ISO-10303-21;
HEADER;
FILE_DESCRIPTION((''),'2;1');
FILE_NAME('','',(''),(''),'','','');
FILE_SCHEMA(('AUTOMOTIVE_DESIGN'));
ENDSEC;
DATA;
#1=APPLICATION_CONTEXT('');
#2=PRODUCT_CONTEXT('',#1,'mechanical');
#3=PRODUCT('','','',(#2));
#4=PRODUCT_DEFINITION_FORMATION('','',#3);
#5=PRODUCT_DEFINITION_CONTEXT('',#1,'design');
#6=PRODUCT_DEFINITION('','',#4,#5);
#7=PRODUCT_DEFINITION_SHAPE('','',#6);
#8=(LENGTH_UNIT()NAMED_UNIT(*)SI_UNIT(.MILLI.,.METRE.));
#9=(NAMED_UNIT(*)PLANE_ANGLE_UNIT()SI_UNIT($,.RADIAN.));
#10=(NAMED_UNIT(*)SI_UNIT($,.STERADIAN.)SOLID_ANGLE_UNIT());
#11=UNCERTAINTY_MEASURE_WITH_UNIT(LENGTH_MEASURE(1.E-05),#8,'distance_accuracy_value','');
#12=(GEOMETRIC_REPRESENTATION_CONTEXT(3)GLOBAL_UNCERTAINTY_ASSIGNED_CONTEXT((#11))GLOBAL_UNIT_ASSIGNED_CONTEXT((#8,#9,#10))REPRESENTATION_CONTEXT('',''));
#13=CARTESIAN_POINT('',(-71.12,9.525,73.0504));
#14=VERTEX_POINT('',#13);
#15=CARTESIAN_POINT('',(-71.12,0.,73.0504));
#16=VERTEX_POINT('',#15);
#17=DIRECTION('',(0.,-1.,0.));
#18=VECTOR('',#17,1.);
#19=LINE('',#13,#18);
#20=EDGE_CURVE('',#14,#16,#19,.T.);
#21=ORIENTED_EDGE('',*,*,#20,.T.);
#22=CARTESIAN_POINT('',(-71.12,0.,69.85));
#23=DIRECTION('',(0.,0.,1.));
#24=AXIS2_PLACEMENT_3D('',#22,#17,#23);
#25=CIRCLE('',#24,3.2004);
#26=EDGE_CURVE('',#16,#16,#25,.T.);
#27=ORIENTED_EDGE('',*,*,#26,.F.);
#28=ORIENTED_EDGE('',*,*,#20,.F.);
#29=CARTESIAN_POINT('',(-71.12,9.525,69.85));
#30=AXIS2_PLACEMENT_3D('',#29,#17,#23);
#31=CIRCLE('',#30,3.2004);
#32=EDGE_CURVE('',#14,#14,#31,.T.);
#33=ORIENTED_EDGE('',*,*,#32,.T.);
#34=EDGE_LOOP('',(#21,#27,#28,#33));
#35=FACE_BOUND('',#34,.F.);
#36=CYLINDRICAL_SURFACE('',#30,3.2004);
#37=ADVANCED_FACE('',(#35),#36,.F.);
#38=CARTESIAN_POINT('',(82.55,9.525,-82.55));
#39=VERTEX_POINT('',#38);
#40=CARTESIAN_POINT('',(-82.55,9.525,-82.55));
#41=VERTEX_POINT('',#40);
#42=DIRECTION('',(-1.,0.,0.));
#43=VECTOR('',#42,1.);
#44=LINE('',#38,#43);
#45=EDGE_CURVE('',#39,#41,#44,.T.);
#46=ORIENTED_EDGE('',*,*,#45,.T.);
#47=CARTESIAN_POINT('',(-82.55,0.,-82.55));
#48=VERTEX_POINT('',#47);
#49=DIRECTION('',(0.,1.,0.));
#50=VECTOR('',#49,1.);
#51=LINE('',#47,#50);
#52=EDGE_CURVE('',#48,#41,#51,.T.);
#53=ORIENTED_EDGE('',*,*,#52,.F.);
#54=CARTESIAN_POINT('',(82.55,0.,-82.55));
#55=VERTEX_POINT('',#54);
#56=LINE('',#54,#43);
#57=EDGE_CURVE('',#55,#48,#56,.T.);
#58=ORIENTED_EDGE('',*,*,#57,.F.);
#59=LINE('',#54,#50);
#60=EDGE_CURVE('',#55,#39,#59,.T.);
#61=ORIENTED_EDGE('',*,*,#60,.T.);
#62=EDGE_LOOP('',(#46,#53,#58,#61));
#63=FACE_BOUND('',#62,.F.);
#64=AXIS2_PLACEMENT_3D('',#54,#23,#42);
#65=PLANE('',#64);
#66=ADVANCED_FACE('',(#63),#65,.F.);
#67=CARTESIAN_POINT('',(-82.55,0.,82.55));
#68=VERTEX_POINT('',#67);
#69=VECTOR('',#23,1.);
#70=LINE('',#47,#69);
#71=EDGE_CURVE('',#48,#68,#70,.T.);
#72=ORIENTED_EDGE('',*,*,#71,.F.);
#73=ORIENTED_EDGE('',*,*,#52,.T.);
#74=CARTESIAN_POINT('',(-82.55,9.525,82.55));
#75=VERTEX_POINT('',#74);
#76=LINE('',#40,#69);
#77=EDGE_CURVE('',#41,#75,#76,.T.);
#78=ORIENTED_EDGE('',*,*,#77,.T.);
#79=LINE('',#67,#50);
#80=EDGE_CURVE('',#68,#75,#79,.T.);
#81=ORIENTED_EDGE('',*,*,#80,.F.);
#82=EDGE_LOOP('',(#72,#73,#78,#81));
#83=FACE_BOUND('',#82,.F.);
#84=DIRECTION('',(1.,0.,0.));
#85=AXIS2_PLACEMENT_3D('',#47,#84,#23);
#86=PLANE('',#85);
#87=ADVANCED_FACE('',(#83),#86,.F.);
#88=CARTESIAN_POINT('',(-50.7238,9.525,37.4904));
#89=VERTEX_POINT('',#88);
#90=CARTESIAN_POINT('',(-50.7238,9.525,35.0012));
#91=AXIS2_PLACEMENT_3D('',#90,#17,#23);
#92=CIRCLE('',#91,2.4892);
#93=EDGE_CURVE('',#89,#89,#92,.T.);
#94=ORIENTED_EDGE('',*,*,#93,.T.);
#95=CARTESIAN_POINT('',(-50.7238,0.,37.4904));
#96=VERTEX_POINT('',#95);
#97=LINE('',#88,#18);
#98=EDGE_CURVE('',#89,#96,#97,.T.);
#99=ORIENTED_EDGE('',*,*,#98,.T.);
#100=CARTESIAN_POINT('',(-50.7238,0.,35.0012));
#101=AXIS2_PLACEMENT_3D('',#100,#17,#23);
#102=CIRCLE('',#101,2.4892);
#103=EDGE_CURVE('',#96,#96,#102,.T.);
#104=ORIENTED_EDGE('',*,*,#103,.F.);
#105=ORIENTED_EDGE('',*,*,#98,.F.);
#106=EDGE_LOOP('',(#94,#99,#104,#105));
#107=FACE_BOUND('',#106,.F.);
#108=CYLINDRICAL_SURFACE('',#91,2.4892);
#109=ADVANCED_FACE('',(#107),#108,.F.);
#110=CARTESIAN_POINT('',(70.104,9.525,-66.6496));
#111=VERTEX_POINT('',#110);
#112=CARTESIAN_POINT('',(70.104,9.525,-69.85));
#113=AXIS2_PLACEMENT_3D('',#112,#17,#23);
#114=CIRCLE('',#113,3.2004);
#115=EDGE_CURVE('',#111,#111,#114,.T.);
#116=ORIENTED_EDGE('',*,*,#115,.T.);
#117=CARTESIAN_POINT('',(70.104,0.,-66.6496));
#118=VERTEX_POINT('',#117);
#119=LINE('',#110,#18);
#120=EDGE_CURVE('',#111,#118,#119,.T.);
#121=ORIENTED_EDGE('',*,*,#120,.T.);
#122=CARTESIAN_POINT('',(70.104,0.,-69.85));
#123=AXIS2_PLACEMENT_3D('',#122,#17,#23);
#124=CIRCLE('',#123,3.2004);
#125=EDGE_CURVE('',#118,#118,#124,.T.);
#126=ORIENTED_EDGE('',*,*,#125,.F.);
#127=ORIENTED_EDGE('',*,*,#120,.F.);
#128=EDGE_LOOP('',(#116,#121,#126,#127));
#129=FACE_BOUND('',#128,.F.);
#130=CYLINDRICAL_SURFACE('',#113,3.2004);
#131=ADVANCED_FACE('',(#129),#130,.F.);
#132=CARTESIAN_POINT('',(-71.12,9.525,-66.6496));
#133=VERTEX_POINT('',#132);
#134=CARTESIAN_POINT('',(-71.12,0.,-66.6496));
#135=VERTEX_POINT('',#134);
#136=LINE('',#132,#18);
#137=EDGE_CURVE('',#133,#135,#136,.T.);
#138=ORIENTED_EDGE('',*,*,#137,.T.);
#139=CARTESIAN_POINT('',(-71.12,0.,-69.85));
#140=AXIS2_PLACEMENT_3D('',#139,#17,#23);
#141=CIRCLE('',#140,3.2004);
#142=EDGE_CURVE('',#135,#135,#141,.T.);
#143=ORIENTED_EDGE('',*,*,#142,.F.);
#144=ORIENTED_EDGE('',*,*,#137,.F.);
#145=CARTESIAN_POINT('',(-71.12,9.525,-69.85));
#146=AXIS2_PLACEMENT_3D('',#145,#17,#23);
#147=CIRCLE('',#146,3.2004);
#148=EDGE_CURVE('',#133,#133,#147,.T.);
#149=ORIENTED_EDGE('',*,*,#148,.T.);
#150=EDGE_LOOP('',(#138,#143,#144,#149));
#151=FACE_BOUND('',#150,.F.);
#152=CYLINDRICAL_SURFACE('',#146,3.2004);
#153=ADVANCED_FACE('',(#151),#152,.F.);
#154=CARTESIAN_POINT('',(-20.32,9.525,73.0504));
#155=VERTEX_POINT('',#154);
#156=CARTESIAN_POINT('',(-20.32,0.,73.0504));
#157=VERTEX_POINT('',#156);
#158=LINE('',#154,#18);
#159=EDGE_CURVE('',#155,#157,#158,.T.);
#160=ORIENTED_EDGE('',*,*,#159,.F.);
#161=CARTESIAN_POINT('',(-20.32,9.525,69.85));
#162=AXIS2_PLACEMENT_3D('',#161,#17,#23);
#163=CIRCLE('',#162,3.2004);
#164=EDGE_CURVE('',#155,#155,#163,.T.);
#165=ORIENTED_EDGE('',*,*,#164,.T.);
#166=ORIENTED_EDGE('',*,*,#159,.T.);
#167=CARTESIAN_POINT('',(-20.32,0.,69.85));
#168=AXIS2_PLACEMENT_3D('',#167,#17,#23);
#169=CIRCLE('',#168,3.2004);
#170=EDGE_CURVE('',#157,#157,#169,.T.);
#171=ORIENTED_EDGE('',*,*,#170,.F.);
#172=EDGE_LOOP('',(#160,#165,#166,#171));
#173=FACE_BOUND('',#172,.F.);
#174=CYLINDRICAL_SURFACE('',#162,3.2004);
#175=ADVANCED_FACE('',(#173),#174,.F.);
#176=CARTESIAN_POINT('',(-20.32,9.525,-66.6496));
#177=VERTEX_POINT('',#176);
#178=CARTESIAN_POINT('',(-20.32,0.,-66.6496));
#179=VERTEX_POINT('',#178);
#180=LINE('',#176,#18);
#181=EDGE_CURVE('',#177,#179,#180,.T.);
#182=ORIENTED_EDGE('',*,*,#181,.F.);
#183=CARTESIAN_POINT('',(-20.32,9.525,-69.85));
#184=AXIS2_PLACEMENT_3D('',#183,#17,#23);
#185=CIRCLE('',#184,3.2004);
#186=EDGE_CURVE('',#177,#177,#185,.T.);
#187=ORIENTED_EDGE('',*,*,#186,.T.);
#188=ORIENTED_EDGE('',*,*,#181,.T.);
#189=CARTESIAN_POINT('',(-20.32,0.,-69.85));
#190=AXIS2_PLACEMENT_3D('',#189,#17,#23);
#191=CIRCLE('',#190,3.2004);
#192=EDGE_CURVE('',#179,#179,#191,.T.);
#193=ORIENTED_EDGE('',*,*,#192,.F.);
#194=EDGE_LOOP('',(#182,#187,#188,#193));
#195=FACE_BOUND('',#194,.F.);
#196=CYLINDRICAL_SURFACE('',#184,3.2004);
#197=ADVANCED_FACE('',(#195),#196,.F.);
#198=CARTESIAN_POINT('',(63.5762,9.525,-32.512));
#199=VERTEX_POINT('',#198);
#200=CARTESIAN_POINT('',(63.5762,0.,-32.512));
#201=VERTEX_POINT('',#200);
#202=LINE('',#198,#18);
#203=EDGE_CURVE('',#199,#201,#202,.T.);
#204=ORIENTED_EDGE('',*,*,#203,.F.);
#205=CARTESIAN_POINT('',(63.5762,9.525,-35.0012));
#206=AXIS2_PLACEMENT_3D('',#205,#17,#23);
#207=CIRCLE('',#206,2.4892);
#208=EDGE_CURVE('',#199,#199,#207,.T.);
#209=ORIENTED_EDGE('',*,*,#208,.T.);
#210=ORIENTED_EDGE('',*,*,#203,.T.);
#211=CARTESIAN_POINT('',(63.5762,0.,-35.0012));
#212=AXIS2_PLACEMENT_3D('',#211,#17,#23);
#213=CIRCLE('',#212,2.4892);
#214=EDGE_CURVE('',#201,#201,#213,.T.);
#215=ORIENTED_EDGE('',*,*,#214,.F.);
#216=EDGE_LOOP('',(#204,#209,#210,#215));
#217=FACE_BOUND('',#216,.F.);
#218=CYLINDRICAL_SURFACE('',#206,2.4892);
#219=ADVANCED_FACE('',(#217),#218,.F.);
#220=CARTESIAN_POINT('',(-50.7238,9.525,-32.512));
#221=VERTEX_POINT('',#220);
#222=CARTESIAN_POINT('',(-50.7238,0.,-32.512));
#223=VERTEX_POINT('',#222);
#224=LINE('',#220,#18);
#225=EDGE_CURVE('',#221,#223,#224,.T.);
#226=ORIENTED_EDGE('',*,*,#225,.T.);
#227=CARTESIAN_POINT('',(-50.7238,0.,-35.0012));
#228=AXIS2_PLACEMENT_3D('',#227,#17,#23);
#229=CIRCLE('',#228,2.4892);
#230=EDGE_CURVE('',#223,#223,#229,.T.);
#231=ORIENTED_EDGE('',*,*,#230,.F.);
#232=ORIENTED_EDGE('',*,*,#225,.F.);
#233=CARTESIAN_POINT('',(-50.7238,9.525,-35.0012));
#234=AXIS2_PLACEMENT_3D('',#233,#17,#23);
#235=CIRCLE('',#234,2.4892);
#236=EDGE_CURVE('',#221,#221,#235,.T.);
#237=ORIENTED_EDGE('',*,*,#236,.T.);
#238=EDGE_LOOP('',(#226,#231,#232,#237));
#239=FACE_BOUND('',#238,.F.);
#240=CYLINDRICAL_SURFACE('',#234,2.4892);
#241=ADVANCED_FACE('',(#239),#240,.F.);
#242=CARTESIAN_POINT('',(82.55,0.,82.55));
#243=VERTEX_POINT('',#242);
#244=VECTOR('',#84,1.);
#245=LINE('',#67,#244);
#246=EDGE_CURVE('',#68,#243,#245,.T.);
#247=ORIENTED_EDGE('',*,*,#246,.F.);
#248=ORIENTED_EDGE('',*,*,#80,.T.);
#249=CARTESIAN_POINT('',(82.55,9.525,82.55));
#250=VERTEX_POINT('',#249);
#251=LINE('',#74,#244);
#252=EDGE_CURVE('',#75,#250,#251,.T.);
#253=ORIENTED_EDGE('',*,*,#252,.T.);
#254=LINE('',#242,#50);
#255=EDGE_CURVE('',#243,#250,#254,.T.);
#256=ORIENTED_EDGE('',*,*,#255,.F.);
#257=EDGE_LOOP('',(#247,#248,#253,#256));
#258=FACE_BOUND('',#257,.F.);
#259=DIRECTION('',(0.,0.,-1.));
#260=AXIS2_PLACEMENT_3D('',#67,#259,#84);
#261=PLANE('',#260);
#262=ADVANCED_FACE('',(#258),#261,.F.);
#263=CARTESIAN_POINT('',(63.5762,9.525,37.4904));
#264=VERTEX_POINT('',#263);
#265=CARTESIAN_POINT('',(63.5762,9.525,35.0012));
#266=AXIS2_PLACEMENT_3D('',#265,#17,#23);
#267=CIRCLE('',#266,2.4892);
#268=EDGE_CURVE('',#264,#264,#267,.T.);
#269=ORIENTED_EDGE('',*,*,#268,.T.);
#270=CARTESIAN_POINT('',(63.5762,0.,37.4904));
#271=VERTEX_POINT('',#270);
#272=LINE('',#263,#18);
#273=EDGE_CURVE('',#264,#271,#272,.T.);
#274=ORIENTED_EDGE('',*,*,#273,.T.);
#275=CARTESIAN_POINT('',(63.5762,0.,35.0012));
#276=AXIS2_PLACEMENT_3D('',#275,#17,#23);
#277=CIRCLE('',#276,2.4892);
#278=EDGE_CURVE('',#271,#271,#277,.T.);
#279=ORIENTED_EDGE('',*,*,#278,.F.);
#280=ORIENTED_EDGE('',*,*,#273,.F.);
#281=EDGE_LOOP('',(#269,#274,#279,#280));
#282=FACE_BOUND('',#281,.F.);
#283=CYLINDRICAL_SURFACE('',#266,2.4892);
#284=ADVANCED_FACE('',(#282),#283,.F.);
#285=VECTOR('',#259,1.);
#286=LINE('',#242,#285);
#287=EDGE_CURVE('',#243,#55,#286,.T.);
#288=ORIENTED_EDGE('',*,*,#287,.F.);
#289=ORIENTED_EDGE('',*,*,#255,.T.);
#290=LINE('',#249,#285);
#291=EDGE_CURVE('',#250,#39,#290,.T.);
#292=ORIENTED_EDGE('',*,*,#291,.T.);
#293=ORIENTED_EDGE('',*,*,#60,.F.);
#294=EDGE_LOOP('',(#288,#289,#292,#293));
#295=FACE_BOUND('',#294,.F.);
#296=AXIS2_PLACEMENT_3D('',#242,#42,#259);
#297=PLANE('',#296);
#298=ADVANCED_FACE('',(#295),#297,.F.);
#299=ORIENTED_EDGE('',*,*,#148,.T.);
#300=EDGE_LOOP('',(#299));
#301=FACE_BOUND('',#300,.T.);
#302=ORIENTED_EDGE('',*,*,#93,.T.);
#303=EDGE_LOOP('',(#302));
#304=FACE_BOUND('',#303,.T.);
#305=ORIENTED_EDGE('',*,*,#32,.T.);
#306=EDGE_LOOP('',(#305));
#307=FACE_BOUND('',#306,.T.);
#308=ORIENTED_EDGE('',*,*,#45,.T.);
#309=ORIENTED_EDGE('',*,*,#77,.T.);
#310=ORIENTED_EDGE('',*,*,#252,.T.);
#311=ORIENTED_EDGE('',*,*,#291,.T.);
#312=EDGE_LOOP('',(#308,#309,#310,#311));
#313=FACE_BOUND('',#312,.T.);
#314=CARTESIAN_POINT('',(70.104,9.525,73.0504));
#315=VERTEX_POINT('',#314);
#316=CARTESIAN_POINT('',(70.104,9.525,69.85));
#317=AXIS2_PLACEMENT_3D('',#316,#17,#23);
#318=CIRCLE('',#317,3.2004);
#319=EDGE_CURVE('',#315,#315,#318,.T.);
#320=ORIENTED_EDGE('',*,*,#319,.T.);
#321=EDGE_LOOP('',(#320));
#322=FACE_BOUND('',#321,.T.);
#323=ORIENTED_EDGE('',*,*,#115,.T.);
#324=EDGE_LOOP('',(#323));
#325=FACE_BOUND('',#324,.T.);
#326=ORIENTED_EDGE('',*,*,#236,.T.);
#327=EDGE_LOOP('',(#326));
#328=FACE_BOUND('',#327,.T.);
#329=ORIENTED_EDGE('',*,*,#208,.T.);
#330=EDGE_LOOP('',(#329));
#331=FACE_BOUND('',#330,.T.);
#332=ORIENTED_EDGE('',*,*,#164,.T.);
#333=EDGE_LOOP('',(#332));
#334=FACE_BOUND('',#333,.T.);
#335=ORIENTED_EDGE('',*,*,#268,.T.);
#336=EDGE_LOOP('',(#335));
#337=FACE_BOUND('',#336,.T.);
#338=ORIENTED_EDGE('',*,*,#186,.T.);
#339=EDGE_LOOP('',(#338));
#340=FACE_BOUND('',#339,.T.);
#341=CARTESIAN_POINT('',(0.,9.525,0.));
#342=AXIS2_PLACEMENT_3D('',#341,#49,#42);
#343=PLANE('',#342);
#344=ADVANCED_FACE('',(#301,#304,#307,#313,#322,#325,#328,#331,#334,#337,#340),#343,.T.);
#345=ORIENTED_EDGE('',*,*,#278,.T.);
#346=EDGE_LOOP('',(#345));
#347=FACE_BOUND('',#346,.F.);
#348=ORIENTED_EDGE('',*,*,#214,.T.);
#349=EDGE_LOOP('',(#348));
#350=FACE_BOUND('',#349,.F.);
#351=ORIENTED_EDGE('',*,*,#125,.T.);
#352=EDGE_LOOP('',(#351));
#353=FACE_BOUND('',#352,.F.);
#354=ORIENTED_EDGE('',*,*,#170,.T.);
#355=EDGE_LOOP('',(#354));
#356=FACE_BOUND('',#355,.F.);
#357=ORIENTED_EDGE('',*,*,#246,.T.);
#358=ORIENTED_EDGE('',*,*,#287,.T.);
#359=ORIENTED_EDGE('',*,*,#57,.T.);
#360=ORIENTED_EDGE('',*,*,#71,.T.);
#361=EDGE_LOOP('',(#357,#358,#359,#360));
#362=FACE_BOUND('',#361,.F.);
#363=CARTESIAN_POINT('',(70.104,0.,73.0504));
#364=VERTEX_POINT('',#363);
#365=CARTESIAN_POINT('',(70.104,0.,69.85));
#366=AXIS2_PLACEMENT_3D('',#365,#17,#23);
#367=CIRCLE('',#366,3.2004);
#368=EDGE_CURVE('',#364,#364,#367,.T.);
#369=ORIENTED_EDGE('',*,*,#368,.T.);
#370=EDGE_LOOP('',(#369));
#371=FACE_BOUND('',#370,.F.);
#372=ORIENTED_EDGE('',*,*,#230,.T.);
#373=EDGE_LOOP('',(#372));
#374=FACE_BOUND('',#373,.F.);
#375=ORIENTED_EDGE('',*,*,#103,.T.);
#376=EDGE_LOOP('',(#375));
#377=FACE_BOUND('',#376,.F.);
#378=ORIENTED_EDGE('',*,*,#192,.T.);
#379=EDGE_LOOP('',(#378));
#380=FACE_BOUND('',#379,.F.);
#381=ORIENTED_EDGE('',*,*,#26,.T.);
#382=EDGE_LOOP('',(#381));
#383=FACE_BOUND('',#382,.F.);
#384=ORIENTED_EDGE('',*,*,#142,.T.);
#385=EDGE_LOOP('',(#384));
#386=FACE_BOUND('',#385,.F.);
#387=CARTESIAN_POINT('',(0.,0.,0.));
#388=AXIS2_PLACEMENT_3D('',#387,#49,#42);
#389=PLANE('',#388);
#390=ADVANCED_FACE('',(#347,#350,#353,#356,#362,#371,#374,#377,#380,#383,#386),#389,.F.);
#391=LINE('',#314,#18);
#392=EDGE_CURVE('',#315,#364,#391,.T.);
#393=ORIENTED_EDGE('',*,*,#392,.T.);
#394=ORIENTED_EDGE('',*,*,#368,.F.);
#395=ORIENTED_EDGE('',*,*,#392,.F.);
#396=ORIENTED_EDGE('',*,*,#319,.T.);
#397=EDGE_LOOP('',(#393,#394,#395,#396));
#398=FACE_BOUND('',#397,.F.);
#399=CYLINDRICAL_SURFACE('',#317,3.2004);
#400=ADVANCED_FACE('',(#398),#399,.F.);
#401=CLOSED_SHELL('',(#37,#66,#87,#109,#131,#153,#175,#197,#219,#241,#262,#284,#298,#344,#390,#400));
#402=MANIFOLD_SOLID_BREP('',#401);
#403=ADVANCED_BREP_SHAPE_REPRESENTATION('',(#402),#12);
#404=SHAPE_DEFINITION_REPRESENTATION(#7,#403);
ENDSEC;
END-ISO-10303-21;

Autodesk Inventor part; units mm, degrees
ref_plane "YZ Plane" through (0, 0, 0) normal (1, 0, 0) x (0, 1, 0)
ref_plane "XZ Plane" through (0, 0, 0) normal (0, 1, 0) x (-1, 0, 0)
ref_plane "XY Plane" through (0, 0, 0) normal (0, 0, 1) x (1, 0, 0)
sketch "Sketch2" plane through (0, 0, 0) normal (0, 1, 0) x (-1, 0, 0)
  line L0 (82.55, 82.55) -> (-82.55, 82.55)
  line L1 (-82.55, 82.55) -> (-82.55, -82.55)
  line L2 (-82.55, -82.55) -> (82.55, -82.55)
  line L3 (82.55, -82.55) -> (82.55, 82.55)
  point P0 (0, 0)
  point P1 (82.55, 0)
  point P2 (0, -82.55)
  dimension "d0" = 165.1
  dimension "d1" = 165.1
extrude "Extrusion1" add sketch "Sketch2" along normal blind 9.525
sketch "Sketch3" plane through (0, 9.525, 0) normal (0, 1, 0) x (1, 0, 0)
  line L0 (-82.55, 82.55) -> (-82.55, -82.55) projected
  line L1 (82.55, 82.55) -> (-82.55, 82.55) projected
  line L2 (115.57, 0) -> (-115.57, 0) projected
  point P0 (0, 0)
  point P1 (-71.12, 69.85)
  point P2 (-20.32, 69.85)
  point P3 (70.104, 69.85)
  point P4 (-71.12, -69.85)
  point P5 (-20.32, -69.85)
  point P6 (70.104, -69.85)
  dimension "d4" = 11.43
  dimension "d5" = 50.8
  dimension "d6" = 90.424
  dimension "d7" = 12.7
hole "Hole1" at (-71.12, 9.525, -69.85) at (-20.32, 9.525, -69.85) at (70.104, 9.525, -69.85) at (-71.12, 9.525, 69.85) at (-20.32, 9.525, 69.85) at (70.104, 9.525, 69.85) direction (0, -1, 0) diameter 6.4008 end through all thread size "5/16-18 UNC" class "2B" standard "ANSI Unified Screw Threads"
sketch "Sketch4" plane through (0, 9.525, 0) normal (0, 1, 0) x (1, 0, 0)
  circle A0 centre (-20.32, -69.85) radius 3.2004 projected
  circle A1 centre (70.104, 69.85) radius 3.2004 projected
  circle A2 centre (-71.12, 69.85) radius 3.2004 projected
  circle A3 centre (-20.32, 69.85) radius 3.2004 projected
  circle A4 centre (-71.12, -69.85) radius 3.2004 projected
  circle A5 centre (70.104, -69.85) radius 3.2004 projected
  line L0 (-82.55, -82.55) -> (82.55, -82.55) projected
  line L1 (82.55, -82.55) -> (82.55, 82.55) projected
  line L2 (82.55, 82.55) -> (-82.55, 82.55) projected
  line L3 (-82.55, 82.55) -> (-82.55, -82.55) projected
  line L4 (-115.57, 0) -> (115.57, 0) projected
  point P0 (0, 0)
  point P1 (-50.7238, 35.0012)
  point P2 (63.5762, 35.0012)
  point P3 (-50.7238, -35.0012)
  point P4 (63.5762, -35.0012)
  dimension "d15" = 31.8262
  dimension "d16" = 114.3
  dimension "d17" = 47.5488
hole "Hole2" at (-50.7238, 9.525, -35.0012) at (63.5762, 9.525, -35.0012) at (-50.7238, 9.525, 35.0012) at (63.5762, 9.525, 35.0012) direction (0, -1, 0) diameter 4.9784 end through all thread size "1/4-20 UNC" class "2B" standard "ANSI Unified Screw Threads"
properties part number "Motor Shim"
